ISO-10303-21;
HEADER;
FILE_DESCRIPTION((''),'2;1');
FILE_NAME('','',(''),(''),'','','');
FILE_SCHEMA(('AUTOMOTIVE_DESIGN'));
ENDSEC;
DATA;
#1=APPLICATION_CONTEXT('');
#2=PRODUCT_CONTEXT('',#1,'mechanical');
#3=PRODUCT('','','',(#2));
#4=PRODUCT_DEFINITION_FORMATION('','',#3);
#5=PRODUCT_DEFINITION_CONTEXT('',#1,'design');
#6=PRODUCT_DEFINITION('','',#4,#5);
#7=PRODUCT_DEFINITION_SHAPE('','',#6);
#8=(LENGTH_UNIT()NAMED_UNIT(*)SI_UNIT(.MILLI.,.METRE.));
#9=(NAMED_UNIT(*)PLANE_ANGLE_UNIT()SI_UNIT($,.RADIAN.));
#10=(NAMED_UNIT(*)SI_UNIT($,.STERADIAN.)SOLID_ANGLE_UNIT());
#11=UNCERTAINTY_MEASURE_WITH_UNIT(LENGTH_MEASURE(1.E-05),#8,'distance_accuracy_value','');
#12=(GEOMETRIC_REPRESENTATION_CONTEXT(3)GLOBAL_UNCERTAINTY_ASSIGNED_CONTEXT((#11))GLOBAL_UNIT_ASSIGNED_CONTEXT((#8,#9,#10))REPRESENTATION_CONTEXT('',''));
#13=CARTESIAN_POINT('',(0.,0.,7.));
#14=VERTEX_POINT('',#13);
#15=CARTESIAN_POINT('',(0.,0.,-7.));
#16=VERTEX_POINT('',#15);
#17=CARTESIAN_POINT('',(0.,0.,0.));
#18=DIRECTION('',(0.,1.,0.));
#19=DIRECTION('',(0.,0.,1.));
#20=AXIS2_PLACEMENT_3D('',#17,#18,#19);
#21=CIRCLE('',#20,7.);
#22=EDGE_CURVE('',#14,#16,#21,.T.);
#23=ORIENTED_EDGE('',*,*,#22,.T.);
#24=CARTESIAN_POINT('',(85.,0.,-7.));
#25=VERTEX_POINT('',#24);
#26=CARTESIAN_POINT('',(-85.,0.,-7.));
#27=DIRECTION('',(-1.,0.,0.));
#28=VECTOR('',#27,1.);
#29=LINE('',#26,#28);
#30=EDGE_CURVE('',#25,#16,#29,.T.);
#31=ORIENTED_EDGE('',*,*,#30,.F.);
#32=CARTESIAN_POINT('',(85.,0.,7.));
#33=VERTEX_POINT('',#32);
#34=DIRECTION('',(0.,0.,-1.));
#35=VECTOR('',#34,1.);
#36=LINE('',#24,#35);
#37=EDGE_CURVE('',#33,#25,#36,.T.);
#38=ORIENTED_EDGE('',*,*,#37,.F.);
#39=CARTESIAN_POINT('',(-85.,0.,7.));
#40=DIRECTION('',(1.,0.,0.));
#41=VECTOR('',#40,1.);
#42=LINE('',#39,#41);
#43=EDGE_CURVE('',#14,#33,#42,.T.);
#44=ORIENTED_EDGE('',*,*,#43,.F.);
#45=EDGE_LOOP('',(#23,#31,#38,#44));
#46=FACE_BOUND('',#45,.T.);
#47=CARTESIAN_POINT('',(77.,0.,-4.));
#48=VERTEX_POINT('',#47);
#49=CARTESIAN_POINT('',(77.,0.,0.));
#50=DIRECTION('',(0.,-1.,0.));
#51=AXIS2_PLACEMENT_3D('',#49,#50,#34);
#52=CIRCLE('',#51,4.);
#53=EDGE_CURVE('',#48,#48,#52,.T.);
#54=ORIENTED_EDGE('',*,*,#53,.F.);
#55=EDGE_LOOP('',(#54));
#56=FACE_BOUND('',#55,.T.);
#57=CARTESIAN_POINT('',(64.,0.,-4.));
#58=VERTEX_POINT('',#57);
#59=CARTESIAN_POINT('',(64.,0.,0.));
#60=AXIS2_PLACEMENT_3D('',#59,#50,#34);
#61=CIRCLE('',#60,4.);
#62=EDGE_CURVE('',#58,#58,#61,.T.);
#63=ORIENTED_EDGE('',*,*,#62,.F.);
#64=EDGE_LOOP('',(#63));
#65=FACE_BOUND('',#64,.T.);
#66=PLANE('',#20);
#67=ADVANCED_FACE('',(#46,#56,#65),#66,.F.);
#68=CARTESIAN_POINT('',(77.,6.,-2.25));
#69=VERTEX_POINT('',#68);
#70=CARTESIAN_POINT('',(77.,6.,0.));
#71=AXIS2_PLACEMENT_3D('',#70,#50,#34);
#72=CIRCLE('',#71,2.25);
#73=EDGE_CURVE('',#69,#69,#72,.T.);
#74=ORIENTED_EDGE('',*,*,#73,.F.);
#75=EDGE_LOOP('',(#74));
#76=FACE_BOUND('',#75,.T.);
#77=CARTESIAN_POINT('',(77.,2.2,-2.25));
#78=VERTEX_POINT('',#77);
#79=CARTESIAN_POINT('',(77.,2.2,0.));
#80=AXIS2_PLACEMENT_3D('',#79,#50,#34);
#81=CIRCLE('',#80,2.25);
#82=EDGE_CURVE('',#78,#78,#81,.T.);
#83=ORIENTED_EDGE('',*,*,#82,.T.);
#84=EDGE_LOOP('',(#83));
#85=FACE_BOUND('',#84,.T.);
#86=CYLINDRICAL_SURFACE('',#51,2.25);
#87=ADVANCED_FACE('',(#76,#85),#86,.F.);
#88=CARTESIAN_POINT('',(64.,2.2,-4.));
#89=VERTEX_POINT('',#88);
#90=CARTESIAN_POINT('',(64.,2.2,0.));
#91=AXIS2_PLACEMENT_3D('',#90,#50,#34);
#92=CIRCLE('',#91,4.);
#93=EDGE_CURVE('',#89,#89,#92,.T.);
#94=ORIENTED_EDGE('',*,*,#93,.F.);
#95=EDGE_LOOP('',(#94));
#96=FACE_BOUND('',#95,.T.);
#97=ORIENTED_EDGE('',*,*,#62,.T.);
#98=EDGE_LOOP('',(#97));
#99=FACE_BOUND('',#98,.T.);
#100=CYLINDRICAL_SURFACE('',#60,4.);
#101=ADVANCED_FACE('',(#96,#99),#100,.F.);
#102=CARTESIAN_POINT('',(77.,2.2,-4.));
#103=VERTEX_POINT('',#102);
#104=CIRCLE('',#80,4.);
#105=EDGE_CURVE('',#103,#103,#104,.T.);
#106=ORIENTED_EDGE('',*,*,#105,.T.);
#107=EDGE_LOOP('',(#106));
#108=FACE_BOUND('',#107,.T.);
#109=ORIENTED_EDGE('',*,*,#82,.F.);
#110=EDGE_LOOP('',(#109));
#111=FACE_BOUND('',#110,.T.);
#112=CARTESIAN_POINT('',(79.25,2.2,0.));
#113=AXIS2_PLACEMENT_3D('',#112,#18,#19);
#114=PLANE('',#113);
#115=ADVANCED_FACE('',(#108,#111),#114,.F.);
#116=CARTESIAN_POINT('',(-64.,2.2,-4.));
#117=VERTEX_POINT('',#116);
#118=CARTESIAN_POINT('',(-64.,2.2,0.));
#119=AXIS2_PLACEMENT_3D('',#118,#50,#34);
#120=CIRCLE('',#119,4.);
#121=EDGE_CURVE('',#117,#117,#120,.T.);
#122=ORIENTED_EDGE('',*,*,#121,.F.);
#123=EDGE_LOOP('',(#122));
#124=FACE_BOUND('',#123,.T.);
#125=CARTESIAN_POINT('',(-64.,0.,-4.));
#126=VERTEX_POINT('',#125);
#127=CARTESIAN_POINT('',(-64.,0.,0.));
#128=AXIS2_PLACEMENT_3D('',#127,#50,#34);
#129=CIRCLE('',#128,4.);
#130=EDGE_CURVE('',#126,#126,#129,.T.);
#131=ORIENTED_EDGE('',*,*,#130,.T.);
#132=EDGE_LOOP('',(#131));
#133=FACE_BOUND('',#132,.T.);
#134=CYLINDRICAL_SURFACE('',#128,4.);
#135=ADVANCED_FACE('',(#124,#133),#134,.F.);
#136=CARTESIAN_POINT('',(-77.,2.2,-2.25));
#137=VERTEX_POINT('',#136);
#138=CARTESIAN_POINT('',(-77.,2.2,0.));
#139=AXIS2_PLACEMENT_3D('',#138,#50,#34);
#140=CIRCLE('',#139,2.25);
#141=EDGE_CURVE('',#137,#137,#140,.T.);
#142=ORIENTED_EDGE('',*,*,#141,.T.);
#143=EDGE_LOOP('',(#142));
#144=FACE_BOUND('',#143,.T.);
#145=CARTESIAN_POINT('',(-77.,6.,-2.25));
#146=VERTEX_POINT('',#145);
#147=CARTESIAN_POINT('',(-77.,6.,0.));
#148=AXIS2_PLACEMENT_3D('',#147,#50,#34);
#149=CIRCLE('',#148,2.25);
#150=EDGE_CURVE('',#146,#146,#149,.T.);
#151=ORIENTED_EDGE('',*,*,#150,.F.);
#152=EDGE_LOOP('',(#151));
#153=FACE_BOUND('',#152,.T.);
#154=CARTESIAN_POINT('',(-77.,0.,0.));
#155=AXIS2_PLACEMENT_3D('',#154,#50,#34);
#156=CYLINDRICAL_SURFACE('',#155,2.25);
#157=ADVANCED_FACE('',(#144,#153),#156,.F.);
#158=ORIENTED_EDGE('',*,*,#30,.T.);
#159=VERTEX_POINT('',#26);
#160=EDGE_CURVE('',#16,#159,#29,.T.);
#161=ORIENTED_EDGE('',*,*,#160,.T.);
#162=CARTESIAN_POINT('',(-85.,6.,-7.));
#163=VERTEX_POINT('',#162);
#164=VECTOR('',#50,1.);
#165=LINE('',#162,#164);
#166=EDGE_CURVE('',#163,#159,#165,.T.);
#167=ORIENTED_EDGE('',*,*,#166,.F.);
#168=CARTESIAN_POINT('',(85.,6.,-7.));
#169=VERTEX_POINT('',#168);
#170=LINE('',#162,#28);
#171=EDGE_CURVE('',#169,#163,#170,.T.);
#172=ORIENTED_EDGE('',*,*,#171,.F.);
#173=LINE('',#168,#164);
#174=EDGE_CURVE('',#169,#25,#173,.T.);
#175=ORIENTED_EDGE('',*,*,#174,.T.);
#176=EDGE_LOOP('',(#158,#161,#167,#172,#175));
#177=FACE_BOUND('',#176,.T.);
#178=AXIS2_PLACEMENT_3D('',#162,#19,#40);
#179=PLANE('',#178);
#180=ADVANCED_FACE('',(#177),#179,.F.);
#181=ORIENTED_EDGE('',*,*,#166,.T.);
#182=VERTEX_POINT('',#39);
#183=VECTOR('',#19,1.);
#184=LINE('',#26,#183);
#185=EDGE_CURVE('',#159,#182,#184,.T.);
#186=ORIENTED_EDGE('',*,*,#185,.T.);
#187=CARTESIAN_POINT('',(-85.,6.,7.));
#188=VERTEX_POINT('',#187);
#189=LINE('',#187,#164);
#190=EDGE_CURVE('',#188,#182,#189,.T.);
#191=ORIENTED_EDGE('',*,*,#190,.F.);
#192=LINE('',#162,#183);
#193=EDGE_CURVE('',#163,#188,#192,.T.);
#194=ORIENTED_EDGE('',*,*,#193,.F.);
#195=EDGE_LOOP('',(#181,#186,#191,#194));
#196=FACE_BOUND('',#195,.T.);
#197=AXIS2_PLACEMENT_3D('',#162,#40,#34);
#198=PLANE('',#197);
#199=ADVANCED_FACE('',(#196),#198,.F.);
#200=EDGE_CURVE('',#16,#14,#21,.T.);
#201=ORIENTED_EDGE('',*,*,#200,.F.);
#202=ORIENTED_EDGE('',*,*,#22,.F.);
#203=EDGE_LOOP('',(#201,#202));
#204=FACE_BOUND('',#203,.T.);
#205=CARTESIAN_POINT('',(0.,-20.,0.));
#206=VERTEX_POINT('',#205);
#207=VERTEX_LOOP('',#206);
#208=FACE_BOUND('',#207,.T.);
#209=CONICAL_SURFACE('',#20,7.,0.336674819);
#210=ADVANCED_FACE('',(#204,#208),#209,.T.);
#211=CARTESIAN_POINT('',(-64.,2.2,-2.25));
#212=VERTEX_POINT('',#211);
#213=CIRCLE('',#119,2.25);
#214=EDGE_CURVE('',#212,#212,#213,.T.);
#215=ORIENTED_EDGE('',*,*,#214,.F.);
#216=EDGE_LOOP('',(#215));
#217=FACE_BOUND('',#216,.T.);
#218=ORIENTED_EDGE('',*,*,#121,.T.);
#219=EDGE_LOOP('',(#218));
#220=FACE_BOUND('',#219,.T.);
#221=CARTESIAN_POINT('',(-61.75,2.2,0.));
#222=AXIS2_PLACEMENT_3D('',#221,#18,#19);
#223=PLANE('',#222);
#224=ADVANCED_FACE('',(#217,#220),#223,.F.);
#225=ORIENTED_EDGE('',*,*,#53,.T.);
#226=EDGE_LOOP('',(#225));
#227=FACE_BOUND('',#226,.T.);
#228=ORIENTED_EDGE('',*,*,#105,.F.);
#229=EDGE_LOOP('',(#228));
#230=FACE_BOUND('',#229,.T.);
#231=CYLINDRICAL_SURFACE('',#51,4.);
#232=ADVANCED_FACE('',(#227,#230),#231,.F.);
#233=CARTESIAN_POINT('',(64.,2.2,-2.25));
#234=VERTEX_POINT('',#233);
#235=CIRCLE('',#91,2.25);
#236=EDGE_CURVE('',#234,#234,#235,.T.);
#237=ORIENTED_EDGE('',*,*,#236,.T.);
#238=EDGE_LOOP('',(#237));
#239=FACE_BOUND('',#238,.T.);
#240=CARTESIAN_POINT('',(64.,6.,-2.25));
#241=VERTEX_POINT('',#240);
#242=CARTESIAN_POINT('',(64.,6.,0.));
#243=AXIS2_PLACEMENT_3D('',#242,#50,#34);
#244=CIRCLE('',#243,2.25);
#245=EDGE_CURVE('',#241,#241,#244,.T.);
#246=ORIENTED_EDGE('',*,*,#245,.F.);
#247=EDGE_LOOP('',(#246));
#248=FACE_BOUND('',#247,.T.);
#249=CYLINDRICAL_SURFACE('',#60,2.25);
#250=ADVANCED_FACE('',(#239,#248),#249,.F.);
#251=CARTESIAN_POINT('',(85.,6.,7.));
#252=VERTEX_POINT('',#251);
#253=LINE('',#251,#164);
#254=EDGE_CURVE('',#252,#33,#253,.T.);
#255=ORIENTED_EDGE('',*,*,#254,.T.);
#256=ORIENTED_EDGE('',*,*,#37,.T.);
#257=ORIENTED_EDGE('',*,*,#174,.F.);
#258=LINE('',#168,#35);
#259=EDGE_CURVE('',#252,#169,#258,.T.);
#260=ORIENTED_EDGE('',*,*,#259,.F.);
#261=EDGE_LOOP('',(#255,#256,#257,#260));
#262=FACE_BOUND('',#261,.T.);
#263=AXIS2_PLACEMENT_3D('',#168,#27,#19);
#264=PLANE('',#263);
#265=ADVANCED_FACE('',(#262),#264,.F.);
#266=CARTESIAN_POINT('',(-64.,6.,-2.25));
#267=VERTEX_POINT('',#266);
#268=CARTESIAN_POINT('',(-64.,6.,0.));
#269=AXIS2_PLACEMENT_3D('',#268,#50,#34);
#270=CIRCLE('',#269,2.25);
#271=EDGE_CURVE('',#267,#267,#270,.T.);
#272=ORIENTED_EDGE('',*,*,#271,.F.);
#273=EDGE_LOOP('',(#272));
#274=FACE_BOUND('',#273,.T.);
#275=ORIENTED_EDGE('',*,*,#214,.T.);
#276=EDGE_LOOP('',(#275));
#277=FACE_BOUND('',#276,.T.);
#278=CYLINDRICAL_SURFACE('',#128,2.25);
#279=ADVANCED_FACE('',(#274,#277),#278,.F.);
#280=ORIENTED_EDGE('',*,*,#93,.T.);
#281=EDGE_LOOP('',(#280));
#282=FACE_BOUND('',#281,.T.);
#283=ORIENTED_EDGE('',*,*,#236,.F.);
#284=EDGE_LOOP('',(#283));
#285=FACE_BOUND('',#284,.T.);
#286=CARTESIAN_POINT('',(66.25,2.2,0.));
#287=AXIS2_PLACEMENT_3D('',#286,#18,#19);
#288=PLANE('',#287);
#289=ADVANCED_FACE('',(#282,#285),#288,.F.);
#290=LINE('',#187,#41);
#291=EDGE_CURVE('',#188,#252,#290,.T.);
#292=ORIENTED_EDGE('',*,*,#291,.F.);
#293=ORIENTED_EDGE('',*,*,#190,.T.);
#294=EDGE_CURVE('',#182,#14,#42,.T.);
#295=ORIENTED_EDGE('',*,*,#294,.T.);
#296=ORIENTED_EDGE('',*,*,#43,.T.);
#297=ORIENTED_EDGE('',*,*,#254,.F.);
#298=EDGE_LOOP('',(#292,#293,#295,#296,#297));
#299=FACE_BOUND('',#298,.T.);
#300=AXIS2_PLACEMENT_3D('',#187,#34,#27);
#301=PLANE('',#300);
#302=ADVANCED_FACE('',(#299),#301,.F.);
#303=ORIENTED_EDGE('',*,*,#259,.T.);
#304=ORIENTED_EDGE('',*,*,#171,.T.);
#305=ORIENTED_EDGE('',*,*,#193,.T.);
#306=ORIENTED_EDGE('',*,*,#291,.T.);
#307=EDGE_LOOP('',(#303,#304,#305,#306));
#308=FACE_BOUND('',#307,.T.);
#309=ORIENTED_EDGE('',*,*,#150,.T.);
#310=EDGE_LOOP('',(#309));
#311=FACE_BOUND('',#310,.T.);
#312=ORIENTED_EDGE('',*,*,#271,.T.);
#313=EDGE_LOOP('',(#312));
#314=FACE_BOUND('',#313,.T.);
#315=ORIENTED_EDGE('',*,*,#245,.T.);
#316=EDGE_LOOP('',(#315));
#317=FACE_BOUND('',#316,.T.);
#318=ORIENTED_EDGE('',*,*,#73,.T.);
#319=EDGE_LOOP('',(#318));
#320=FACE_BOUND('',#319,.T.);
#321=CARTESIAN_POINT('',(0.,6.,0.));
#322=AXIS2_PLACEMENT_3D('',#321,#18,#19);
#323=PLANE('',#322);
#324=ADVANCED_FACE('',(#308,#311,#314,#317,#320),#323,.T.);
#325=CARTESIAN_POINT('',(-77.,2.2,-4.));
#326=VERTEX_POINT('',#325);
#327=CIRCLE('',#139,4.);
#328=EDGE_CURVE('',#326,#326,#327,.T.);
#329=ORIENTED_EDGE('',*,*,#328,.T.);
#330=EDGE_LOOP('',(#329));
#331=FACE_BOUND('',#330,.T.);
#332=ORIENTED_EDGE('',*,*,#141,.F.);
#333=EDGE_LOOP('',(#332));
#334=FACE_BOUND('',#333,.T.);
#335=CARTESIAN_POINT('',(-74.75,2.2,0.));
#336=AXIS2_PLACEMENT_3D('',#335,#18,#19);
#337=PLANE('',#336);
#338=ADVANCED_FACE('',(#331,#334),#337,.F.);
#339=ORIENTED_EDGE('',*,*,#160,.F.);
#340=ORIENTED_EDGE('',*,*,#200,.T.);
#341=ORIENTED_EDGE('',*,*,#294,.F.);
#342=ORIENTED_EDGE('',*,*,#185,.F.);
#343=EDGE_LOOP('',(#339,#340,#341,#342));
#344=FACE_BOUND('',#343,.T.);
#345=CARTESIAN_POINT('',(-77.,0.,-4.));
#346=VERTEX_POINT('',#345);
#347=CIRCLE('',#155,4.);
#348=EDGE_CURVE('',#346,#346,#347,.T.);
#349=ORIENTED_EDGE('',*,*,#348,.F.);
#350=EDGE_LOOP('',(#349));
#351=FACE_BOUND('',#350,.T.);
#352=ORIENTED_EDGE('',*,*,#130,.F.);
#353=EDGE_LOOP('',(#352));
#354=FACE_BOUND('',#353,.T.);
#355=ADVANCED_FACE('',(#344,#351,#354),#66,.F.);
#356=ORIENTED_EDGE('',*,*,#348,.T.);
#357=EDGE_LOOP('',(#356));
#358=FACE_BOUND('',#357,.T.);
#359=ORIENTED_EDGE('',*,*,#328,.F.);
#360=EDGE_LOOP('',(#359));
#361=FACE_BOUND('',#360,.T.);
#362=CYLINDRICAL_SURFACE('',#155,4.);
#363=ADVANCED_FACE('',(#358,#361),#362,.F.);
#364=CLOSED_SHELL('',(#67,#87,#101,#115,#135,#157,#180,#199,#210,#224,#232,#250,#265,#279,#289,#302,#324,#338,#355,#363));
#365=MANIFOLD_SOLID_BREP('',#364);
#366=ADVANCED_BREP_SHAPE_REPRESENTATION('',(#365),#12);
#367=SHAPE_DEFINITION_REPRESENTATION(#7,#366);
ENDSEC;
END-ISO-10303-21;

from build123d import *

# Parameters (mm, degrees)
SKIZZE1_W                                           = 170
SKIZZE1_H                                           = 14
AUFSATZ_LINEAR_AUSTRAGEN1_DEPTH                     = 6
STIRNSENKUNG_F_R_M4_SENKSCHRAUBE_KOPF_B_D           = 4.5
STIRNSENKUNG_F_R_M4_SENKSCHRAUBE_KOPF_B_CBORE_D     = 8
STIRNSENKUNG_F_R_M4_SENKSCHRAUBE_KOPF_B_CBORE_DEPTH = 2.2


with BuildPart() as part:
    # Skizze1 → Aufsatz-Linear austragen1 (new body)
    with BuildSketch(Plane(origin=(0, 0, 0), x_dir=(1, 0, 0), z_dir=(0, 1, 0))):
        Rectangle(SKIZZE1_W, SKIZZE1_H)
    extrude(amount=AUFSATZ_LINEAR_AUSTRAGEN1_DEPTH)

    # Stirnsenkung für M4 Senkschraube (Kopf Button)1 (through all)
    with Locations(Plane(origin=(-77, 0, 0), x_dir=(0, 0, -1), z_dir=(0, -1, 0))):
        with Locations((0, 0), (0, 13), (0, 141), (0, 154)):
            CounterBoreHole(STIRNSENKUNG_F_R_M4_SENKSCHRAUBE_KOPF_B_D / 2, STIRNSENKUNG_F_R_M4_SENKSCHRAUBE_KOPF_B_CBORE_D / 2, STIRNSENKUNG_F_R_M4_SENKSCHRAUBE_KOPF_B_CBORE_DEPTH)

    # Skizze3 → Rotation1 (revolve)
    with BuildSketch(Plane.XY):
        Polygon((-7, 0), (0, -20), (0, 0), align=None)
    revolve(axis=Axis((0, 32.961151518, 0), (0, -1, 0)))


solid = part.part
